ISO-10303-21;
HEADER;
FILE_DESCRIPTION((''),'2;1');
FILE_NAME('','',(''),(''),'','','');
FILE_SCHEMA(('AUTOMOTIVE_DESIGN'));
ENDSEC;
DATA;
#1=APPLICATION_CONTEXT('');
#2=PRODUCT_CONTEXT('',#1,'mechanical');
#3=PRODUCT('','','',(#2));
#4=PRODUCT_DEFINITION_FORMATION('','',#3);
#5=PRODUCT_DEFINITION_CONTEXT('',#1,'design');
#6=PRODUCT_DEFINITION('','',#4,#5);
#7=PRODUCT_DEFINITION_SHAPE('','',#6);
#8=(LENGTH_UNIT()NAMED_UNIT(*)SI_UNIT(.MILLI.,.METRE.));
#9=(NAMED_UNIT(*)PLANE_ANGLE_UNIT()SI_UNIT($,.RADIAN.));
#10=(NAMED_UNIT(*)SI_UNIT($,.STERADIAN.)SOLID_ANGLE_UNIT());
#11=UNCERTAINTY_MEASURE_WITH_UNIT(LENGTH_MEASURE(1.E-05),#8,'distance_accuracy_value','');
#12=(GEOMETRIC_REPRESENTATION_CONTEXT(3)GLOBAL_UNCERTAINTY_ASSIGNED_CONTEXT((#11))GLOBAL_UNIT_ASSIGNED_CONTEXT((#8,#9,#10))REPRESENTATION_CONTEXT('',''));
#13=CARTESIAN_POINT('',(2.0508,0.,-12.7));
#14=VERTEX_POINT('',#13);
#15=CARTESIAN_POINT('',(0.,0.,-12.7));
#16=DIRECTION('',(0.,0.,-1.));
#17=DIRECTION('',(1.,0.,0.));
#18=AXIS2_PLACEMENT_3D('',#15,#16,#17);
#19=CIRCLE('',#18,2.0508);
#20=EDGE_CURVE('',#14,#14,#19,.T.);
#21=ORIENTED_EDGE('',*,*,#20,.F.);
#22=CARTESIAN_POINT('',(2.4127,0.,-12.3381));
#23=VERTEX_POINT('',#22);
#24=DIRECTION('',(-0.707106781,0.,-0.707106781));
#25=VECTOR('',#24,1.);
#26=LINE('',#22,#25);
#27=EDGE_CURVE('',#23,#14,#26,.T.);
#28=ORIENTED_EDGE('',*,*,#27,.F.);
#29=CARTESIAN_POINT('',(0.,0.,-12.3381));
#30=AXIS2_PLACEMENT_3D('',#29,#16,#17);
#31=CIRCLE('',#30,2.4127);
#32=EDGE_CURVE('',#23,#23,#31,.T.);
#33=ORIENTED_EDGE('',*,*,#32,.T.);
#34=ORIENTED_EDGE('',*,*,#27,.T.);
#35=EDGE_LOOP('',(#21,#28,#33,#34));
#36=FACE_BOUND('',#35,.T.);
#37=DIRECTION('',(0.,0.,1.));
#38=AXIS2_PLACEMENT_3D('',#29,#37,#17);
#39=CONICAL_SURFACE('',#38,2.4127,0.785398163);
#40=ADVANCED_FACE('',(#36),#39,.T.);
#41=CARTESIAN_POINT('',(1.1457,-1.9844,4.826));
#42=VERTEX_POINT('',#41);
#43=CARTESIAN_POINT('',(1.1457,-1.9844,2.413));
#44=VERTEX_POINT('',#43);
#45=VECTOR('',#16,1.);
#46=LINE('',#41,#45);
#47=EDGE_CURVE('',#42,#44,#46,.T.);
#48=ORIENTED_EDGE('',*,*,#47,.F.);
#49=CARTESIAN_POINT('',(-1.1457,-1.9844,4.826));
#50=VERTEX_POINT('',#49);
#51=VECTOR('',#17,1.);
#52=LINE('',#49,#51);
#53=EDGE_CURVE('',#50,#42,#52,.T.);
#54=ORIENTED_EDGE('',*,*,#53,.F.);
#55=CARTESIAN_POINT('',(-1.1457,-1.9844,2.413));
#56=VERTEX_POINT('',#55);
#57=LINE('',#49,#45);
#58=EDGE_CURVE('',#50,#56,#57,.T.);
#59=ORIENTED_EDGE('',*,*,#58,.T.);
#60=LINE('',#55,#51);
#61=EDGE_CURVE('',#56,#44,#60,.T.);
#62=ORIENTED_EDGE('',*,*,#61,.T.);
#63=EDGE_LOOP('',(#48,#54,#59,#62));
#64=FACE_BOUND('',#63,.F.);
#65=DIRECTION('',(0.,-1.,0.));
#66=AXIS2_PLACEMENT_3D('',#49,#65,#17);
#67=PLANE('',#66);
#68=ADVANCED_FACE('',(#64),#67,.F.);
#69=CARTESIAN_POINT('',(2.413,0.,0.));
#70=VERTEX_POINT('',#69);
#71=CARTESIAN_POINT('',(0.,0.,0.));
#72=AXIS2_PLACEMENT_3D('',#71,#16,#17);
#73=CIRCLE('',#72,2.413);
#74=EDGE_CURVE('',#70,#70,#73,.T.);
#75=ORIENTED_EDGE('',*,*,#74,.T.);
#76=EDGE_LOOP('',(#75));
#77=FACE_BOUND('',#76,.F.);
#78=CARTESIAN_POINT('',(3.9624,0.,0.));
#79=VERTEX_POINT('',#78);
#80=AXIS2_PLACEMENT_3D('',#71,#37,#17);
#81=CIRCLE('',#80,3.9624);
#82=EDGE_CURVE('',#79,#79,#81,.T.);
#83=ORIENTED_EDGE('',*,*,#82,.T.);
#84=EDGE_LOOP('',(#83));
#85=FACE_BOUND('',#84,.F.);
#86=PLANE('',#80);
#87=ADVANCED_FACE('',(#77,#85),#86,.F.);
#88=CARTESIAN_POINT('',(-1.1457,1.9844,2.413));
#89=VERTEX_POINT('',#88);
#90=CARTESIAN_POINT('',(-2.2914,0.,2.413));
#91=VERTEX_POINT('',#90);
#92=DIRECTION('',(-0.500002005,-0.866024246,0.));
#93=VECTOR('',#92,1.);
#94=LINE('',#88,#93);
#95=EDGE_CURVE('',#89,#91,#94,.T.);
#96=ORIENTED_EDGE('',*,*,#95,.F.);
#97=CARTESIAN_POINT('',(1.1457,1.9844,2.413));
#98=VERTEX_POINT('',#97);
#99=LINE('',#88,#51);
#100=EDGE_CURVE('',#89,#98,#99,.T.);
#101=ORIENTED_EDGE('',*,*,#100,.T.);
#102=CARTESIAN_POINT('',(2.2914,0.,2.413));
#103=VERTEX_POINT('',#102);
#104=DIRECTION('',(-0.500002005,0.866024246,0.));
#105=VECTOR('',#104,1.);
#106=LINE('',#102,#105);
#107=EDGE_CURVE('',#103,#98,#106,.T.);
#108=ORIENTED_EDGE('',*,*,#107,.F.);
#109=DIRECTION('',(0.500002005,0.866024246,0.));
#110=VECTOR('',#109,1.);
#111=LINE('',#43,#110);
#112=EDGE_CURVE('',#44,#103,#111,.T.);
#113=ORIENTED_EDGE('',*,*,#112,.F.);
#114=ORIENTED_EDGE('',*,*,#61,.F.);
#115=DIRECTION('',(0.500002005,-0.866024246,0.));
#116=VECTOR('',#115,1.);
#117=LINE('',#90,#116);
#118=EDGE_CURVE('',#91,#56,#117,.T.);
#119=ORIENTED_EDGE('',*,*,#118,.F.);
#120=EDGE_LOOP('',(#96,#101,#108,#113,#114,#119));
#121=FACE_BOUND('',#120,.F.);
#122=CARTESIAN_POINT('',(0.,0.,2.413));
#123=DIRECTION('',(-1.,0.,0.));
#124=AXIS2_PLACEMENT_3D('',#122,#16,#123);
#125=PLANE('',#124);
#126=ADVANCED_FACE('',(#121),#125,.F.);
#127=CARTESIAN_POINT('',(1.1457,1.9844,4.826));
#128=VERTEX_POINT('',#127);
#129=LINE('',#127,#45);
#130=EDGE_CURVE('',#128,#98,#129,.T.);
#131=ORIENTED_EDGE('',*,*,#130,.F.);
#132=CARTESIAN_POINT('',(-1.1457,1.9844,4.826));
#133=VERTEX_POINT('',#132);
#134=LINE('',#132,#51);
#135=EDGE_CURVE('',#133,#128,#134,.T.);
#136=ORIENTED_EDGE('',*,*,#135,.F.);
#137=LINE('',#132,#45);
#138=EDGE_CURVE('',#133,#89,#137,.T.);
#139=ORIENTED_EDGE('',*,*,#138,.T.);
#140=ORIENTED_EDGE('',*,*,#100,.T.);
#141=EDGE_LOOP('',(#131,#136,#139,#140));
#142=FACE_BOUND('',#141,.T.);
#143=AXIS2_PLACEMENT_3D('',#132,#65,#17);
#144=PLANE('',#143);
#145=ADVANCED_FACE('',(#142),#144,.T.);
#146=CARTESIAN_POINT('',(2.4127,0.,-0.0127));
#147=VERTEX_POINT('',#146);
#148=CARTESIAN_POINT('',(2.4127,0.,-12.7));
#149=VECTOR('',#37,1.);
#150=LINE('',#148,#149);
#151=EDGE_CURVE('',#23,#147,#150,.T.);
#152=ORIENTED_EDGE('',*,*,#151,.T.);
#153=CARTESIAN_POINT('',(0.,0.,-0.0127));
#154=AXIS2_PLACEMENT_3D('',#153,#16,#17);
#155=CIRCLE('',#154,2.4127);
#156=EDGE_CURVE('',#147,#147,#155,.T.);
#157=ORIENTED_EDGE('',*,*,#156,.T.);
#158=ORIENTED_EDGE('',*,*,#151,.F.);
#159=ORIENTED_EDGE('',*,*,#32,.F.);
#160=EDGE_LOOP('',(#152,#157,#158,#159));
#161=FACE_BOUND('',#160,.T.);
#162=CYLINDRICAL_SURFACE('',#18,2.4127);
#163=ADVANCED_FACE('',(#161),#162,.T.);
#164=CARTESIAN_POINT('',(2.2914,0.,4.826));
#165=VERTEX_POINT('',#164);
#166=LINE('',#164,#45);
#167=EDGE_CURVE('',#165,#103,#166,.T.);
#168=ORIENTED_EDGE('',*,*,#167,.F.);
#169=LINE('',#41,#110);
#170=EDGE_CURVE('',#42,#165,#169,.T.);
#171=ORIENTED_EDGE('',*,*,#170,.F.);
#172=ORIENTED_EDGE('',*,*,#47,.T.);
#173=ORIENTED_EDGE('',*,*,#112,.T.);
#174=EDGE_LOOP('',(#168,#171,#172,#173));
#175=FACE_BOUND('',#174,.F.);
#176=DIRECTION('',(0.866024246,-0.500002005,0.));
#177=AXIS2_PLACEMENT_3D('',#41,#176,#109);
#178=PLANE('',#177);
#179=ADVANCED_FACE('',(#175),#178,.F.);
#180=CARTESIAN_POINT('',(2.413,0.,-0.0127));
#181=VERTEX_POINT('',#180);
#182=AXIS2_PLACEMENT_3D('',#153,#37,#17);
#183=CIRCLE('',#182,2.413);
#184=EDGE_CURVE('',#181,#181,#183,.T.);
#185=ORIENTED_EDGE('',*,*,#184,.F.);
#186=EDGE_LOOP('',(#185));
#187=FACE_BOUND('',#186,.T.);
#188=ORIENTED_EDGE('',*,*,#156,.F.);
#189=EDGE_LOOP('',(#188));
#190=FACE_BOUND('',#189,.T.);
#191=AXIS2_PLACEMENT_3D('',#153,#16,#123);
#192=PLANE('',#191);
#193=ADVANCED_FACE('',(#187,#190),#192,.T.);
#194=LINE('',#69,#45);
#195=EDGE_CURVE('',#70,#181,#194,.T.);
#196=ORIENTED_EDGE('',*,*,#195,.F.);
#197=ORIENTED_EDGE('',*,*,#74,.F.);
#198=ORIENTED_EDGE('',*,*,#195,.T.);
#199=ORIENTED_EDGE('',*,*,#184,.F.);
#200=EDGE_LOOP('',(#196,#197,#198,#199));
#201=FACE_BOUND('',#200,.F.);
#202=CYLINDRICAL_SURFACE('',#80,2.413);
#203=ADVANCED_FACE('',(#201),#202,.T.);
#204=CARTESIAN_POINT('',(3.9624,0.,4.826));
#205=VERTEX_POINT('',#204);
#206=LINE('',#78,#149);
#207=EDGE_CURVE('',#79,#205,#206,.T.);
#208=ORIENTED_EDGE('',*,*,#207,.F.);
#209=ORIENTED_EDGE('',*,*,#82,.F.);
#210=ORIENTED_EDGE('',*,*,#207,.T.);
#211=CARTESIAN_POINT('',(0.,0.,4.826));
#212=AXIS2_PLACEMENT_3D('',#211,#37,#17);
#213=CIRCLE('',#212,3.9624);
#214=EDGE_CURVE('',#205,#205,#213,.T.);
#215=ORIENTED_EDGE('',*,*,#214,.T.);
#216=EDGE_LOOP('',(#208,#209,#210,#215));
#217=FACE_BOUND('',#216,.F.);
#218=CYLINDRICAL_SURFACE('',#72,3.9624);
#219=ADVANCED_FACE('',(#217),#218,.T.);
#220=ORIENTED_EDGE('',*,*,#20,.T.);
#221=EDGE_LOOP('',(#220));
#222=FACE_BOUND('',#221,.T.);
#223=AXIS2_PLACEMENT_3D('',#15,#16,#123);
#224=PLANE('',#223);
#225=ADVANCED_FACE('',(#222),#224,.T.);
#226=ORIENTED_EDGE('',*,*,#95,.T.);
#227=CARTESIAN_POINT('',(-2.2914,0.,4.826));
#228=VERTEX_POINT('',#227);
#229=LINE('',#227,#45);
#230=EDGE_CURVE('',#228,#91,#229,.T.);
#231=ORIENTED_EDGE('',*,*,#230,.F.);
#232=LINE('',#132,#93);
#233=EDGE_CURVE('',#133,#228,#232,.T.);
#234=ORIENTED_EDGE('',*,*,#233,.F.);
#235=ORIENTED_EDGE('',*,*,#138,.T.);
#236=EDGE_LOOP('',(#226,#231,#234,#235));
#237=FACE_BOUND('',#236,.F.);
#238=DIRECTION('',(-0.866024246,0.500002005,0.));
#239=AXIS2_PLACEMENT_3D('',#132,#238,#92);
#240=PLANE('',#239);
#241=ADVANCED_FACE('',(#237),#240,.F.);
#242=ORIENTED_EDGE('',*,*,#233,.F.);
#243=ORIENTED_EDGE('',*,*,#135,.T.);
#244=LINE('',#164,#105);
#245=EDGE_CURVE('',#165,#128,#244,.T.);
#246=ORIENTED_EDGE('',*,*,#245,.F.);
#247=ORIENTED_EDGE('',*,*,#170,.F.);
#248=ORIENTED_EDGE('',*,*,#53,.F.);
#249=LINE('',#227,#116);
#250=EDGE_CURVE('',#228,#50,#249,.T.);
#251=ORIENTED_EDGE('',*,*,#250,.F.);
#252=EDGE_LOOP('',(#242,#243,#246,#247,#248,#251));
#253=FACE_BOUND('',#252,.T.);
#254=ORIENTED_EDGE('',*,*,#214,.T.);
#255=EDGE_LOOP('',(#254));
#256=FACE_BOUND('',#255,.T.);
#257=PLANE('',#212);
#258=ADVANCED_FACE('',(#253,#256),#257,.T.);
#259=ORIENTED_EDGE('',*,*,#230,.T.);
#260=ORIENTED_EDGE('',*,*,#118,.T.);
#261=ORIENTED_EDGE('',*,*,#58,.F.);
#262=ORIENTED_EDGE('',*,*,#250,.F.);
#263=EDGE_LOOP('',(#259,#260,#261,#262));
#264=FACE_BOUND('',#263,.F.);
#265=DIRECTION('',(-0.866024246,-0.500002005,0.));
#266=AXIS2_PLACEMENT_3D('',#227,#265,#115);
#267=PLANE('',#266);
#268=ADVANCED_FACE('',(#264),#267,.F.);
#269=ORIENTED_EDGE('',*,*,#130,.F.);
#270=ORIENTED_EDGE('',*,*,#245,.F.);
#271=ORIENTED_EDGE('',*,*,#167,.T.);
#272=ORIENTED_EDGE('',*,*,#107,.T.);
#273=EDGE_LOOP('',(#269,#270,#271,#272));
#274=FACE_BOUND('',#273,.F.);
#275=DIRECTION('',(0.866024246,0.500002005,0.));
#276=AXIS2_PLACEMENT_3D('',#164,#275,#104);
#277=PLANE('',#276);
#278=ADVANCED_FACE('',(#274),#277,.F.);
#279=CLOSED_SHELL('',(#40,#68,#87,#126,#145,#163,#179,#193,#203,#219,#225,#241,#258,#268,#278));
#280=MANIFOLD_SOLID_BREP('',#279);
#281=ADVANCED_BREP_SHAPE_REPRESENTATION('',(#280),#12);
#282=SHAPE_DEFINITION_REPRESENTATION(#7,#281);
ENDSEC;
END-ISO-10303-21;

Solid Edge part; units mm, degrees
sketch "Sketch1" plane through (0, 0, 0) normal (0, 0, 1) x (1, 0, 0)
  circle A0 centre (0, 0) radius 3.9624
  dimension "D1" = 7.9248
extrude "Protrusion1" add sketch "Sketch1" along normal blind 4.826
sketch "Sketch2" plane through (0, 0, 0) normal (0, 0, -1) x (1, 0, 0)
  circle A0 centre (0, 0) radius 2.413
extrude "Protrusion2" add sketch "Sketch2" along normal blind 12.7
sketch "Sketch3" plane through (0, 0, -12.7) normal (0, 0, -1) x (1, 0, 0)
  circle A0 centre (0, 0) radius 2.4127
extrude "Cutout1" cut sketch "Sketch3" against normal blind 12.6873 flip side to cut
chamfer "Chamfer_1" distance 0.3619 angle 45 1 edges at (-2.4127, 0, -12.7)
sketch "Sketch4" plane through (0, 0, 4.826) normal (0, 0, 1) x (1, 0, 0)
  line L0 (-1.1457, 1.9844) -> (1.1457, 1.9844)
  line L1 (2.2914, 0) -> (1.1457, 1.9844)
  line L2 (1.1457, -1.9844) -> (2.2914, 0)
  line L3 (-1.1457, -1.9844) -> (1.1457, -1.9844)
  line L4 (-2.2914, 0) -> (-1.1457, -1.9844)
  line L5 (-1.1457, 1.9844) -> (-2.2914, 0)
  dimension "D1" = 3.9688
extrude "Cutout2" cut sketch "Sketch4" against normal blind 2.413
properties part number "24101592"
